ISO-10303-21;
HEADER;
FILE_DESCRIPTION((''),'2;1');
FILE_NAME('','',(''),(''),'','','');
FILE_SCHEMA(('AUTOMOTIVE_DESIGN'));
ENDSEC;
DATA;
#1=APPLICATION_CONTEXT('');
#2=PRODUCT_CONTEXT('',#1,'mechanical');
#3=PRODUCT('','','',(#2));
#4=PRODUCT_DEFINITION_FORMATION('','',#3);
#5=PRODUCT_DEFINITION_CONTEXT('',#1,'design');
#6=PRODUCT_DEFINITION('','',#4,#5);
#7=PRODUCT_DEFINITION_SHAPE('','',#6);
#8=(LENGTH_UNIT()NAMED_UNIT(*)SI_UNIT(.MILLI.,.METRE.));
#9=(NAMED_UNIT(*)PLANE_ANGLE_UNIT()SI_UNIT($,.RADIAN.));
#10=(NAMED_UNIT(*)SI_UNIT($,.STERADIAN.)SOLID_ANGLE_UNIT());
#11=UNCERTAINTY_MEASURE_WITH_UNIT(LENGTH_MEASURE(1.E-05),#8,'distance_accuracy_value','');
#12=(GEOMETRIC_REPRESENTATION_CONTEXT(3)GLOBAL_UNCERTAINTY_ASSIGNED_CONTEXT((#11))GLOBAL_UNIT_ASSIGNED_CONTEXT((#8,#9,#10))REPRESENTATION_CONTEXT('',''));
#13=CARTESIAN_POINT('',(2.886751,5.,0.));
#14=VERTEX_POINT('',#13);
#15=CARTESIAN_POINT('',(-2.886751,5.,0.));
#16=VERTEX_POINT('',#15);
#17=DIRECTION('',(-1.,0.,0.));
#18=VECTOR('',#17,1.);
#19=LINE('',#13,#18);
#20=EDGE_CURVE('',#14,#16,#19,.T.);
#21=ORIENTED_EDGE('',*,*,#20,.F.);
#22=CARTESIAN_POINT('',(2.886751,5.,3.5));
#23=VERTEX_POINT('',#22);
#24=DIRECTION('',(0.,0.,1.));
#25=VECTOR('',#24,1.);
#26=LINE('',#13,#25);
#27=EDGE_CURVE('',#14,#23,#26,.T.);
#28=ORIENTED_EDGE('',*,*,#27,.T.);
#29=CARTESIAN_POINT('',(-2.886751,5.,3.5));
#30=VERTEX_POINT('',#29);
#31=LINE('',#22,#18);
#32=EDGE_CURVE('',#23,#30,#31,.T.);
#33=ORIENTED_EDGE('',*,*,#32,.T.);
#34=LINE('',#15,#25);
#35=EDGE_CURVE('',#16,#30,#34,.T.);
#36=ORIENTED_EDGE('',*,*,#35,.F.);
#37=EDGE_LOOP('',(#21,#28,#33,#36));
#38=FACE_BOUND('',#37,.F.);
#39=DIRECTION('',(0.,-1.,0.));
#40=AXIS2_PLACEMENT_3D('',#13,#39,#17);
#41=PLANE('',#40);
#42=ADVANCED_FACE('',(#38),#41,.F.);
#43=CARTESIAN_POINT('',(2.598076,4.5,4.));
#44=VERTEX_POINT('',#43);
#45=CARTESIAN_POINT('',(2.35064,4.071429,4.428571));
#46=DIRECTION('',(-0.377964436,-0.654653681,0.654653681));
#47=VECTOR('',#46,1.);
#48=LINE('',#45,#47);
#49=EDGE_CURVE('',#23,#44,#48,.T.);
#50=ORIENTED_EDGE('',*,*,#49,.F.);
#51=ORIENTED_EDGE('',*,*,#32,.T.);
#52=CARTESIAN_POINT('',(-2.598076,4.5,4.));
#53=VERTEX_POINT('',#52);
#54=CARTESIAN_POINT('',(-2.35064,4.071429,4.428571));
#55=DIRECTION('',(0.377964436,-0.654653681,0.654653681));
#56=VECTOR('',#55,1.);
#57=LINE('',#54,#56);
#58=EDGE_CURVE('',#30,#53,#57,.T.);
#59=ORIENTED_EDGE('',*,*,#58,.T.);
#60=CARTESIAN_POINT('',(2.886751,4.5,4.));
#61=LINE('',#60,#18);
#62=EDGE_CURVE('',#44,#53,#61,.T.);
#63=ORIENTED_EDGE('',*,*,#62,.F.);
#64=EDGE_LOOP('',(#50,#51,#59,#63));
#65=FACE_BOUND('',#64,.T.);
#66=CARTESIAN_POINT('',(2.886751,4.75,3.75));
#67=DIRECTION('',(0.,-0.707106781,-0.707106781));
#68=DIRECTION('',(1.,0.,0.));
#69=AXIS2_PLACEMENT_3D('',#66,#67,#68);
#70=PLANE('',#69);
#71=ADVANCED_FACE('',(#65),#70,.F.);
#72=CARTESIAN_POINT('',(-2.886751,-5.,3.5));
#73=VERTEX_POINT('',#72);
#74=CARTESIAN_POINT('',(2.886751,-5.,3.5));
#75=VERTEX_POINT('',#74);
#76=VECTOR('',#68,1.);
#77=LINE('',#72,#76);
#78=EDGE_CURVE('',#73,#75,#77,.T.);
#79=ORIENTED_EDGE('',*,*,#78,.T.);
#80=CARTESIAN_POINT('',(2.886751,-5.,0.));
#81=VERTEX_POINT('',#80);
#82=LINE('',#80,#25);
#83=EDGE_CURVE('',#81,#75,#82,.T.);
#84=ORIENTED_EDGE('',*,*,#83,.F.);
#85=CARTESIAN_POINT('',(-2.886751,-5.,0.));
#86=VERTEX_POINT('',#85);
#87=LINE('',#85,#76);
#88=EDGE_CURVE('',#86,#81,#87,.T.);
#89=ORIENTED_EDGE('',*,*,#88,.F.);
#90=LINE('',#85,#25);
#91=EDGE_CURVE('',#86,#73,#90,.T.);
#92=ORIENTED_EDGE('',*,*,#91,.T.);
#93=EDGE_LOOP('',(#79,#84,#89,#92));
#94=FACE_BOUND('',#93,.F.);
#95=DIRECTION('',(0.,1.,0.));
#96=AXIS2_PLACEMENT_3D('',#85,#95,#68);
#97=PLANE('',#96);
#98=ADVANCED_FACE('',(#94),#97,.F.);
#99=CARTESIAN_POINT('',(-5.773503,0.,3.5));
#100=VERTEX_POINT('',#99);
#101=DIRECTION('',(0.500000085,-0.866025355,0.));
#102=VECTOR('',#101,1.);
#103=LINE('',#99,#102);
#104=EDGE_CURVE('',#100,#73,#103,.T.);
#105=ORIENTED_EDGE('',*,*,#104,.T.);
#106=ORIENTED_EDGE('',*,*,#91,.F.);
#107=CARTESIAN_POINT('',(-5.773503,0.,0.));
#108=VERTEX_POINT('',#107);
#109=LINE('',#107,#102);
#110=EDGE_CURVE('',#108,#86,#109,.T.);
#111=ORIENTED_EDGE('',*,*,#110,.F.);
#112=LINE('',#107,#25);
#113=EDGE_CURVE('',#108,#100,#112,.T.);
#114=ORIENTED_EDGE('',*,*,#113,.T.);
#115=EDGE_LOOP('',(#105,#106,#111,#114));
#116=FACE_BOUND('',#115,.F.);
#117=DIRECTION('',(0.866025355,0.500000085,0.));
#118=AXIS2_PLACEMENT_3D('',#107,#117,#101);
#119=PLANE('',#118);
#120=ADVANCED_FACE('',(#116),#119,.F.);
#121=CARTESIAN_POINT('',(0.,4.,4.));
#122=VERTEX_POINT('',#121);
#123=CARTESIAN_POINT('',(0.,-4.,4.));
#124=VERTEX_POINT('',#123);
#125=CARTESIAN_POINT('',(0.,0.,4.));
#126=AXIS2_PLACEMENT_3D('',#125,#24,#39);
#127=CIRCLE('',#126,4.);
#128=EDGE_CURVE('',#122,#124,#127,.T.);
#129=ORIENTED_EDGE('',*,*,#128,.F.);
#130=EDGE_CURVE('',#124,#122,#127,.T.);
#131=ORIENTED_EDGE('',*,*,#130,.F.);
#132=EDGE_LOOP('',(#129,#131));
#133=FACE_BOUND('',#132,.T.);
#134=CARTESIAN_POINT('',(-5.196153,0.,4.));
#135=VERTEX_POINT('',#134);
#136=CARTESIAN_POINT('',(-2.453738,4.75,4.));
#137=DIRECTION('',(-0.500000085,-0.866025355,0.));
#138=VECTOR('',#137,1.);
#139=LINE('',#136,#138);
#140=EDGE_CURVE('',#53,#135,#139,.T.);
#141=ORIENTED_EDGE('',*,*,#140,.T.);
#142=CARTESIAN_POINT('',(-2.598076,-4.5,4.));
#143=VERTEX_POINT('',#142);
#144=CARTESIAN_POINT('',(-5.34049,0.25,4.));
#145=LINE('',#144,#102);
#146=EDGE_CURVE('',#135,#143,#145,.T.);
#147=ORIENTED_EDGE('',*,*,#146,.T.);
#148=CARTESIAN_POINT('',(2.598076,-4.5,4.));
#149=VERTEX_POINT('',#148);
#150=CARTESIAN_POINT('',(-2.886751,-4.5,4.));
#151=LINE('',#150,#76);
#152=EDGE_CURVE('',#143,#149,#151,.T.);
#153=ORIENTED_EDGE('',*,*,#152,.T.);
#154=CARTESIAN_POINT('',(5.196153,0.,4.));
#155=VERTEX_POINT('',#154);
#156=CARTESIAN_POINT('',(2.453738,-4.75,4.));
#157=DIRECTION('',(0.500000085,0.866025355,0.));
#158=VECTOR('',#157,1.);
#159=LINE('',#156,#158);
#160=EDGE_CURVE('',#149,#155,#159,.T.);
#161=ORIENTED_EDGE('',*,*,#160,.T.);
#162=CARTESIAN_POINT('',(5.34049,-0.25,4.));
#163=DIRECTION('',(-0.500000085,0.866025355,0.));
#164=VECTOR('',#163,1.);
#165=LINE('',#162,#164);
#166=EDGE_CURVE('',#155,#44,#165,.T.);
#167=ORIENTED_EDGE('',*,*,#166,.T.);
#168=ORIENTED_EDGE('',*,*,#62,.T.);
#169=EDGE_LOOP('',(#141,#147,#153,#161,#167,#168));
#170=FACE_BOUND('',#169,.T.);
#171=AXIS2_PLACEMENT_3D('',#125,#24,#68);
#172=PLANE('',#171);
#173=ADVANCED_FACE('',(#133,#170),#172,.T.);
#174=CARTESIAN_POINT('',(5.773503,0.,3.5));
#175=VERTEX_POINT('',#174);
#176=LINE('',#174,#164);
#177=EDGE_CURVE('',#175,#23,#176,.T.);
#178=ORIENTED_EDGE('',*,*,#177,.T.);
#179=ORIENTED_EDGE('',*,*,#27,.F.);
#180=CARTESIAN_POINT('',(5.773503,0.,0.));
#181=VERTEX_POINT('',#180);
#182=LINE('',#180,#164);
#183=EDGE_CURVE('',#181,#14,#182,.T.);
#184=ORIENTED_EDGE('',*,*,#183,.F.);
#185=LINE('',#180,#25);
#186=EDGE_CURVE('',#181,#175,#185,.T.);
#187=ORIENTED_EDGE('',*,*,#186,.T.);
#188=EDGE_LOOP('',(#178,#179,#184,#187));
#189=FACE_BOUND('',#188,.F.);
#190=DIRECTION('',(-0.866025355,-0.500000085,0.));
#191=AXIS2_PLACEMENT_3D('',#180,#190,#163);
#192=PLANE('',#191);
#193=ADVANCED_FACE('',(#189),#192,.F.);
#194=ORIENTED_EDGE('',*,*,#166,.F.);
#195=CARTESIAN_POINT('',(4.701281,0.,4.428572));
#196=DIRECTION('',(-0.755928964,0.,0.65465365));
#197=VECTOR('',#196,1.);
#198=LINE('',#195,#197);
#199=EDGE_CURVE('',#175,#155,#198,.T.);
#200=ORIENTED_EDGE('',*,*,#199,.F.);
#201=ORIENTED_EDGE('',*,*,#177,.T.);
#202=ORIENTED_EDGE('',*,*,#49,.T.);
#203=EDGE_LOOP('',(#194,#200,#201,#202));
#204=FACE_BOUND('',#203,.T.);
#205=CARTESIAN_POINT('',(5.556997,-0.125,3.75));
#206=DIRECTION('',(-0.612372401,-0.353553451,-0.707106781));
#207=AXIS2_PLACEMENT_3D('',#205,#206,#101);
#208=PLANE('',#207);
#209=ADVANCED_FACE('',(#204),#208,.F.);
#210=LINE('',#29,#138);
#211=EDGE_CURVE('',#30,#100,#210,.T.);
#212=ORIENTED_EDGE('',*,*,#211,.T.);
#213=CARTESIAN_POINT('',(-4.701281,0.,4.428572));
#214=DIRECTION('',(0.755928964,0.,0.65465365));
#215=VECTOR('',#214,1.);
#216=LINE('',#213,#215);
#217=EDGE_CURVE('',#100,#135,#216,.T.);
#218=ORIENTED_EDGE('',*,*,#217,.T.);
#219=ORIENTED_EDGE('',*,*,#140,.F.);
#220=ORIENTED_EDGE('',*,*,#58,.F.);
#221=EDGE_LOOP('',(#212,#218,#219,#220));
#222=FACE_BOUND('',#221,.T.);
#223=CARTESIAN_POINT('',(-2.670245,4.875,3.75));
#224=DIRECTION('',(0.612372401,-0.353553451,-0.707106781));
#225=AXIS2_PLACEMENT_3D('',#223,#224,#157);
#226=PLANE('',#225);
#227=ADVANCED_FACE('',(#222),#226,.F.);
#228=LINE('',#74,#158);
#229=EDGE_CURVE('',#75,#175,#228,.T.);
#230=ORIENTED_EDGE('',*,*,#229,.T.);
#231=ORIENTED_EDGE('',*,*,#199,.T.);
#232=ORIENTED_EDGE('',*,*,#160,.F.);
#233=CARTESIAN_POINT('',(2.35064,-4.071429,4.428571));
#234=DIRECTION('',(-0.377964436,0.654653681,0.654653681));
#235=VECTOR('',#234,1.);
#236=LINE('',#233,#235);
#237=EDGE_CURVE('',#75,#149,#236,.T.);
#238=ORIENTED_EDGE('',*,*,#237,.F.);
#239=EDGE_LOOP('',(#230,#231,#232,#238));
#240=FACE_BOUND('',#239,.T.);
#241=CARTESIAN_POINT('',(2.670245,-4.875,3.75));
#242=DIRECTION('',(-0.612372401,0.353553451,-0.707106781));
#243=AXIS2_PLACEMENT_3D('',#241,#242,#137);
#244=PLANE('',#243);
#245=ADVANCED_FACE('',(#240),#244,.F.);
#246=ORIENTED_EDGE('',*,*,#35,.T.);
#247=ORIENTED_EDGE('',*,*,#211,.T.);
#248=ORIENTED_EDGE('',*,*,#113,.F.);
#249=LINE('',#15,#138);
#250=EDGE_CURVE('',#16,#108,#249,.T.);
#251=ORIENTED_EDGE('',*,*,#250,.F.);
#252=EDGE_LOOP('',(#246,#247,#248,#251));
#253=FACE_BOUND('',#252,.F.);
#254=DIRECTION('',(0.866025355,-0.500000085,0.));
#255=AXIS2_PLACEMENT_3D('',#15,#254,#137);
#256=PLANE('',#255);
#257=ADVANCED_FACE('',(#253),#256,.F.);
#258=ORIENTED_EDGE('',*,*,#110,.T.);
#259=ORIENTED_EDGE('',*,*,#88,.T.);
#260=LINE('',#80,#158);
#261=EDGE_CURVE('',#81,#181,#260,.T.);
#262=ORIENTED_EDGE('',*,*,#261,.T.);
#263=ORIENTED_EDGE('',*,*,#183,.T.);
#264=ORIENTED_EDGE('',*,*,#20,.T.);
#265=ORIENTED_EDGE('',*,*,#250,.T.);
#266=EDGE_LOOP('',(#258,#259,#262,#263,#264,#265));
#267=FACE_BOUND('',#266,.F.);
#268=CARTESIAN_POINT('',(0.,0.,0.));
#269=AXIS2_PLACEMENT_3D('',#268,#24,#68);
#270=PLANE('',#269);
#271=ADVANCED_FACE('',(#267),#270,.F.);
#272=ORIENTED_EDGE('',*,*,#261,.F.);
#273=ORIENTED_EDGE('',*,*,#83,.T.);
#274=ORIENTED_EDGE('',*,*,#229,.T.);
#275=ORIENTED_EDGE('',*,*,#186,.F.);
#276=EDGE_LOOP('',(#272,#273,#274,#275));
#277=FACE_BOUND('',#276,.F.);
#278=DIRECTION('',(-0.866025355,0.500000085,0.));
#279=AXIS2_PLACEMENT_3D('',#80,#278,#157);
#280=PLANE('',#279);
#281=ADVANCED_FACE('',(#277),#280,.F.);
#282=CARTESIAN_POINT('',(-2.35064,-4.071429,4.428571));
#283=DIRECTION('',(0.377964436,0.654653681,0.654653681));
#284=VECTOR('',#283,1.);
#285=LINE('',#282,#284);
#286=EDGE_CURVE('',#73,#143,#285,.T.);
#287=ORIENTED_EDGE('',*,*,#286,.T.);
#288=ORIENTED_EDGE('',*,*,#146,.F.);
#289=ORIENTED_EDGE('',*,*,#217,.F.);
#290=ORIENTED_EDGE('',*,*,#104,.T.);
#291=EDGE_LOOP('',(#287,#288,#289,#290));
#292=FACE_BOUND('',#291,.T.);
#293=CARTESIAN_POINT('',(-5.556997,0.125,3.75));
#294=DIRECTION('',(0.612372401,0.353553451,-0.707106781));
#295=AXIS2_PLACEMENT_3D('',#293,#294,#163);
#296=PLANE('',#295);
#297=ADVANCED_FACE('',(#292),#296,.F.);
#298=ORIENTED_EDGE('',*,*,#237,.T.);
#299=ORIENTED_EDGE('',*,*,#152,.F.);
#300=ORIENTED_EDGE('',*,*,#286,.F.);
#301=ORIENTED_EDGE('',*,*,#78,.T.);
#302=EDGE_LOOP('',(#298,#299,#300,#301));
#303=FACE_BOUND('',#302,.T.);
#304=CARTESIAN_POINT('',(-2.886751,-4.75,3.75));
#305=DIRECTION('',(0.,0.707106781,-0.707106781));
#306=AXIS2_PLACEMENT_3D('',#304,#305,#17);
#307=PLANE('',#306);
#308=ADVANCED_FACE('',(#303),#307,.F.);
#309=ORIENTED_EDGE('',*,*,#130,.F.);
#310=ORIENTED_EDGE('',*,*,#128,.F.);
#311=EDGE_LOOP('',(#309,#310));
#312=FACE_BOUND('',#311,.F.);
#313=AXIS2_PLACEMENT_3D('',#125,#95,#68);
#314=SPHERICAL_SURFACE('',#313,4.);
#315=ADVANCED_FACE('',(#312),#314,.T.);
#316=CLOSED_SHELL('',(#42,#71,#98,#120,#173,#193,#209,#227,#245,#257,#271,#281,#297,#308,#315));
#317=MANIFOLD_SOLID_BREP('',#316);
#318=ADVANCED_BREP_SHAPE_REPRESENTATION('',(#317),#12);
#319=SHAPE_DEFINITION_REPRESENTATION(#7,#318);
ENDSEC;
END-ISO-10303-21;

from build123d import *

# Parameters (mm, degrees)
F1_DEPTH = 4
F2_SIZE  = 0.5


with BuildPart() as f1:
    # F0 (on Top) → F1 (new body)
    with BuildSketch(Plane.XY):
        Polygon((2.886751, 5), (-2.886751, 5), (-5.773503, 0), (-2.886751, -5), (2.886751, -5), (5.773503, 0), align=None)
    extrude(amount=F1_DEPTH)

    # F2
    f2_edges = [f1.edges().sort_by_distance(p)[0] for p in [
        (4.330127, -2.5, 4),
        (0, -5, 4),
        (-4.330127, -2.5, 4),
        (-4.330127, 2.5, 4),
        (0, 5, 4),
        (4.330127, 2.5, 4),
    ]]
    chamfer(f2_edges, length=F2_SIZE)

    # F3 (on face) → F4 (revolve)
    with BuildSketch(Plane.XY.offset(4)):
        with BuildLine():
            Line((0, 4), (0, -4))
            ThreePointArc((0, -4), (4, 0), (0, 4))
        make_face()
    revolve(axis=Axis((0, 0, 4), (0, -1, 0)))


solid = f1.part
